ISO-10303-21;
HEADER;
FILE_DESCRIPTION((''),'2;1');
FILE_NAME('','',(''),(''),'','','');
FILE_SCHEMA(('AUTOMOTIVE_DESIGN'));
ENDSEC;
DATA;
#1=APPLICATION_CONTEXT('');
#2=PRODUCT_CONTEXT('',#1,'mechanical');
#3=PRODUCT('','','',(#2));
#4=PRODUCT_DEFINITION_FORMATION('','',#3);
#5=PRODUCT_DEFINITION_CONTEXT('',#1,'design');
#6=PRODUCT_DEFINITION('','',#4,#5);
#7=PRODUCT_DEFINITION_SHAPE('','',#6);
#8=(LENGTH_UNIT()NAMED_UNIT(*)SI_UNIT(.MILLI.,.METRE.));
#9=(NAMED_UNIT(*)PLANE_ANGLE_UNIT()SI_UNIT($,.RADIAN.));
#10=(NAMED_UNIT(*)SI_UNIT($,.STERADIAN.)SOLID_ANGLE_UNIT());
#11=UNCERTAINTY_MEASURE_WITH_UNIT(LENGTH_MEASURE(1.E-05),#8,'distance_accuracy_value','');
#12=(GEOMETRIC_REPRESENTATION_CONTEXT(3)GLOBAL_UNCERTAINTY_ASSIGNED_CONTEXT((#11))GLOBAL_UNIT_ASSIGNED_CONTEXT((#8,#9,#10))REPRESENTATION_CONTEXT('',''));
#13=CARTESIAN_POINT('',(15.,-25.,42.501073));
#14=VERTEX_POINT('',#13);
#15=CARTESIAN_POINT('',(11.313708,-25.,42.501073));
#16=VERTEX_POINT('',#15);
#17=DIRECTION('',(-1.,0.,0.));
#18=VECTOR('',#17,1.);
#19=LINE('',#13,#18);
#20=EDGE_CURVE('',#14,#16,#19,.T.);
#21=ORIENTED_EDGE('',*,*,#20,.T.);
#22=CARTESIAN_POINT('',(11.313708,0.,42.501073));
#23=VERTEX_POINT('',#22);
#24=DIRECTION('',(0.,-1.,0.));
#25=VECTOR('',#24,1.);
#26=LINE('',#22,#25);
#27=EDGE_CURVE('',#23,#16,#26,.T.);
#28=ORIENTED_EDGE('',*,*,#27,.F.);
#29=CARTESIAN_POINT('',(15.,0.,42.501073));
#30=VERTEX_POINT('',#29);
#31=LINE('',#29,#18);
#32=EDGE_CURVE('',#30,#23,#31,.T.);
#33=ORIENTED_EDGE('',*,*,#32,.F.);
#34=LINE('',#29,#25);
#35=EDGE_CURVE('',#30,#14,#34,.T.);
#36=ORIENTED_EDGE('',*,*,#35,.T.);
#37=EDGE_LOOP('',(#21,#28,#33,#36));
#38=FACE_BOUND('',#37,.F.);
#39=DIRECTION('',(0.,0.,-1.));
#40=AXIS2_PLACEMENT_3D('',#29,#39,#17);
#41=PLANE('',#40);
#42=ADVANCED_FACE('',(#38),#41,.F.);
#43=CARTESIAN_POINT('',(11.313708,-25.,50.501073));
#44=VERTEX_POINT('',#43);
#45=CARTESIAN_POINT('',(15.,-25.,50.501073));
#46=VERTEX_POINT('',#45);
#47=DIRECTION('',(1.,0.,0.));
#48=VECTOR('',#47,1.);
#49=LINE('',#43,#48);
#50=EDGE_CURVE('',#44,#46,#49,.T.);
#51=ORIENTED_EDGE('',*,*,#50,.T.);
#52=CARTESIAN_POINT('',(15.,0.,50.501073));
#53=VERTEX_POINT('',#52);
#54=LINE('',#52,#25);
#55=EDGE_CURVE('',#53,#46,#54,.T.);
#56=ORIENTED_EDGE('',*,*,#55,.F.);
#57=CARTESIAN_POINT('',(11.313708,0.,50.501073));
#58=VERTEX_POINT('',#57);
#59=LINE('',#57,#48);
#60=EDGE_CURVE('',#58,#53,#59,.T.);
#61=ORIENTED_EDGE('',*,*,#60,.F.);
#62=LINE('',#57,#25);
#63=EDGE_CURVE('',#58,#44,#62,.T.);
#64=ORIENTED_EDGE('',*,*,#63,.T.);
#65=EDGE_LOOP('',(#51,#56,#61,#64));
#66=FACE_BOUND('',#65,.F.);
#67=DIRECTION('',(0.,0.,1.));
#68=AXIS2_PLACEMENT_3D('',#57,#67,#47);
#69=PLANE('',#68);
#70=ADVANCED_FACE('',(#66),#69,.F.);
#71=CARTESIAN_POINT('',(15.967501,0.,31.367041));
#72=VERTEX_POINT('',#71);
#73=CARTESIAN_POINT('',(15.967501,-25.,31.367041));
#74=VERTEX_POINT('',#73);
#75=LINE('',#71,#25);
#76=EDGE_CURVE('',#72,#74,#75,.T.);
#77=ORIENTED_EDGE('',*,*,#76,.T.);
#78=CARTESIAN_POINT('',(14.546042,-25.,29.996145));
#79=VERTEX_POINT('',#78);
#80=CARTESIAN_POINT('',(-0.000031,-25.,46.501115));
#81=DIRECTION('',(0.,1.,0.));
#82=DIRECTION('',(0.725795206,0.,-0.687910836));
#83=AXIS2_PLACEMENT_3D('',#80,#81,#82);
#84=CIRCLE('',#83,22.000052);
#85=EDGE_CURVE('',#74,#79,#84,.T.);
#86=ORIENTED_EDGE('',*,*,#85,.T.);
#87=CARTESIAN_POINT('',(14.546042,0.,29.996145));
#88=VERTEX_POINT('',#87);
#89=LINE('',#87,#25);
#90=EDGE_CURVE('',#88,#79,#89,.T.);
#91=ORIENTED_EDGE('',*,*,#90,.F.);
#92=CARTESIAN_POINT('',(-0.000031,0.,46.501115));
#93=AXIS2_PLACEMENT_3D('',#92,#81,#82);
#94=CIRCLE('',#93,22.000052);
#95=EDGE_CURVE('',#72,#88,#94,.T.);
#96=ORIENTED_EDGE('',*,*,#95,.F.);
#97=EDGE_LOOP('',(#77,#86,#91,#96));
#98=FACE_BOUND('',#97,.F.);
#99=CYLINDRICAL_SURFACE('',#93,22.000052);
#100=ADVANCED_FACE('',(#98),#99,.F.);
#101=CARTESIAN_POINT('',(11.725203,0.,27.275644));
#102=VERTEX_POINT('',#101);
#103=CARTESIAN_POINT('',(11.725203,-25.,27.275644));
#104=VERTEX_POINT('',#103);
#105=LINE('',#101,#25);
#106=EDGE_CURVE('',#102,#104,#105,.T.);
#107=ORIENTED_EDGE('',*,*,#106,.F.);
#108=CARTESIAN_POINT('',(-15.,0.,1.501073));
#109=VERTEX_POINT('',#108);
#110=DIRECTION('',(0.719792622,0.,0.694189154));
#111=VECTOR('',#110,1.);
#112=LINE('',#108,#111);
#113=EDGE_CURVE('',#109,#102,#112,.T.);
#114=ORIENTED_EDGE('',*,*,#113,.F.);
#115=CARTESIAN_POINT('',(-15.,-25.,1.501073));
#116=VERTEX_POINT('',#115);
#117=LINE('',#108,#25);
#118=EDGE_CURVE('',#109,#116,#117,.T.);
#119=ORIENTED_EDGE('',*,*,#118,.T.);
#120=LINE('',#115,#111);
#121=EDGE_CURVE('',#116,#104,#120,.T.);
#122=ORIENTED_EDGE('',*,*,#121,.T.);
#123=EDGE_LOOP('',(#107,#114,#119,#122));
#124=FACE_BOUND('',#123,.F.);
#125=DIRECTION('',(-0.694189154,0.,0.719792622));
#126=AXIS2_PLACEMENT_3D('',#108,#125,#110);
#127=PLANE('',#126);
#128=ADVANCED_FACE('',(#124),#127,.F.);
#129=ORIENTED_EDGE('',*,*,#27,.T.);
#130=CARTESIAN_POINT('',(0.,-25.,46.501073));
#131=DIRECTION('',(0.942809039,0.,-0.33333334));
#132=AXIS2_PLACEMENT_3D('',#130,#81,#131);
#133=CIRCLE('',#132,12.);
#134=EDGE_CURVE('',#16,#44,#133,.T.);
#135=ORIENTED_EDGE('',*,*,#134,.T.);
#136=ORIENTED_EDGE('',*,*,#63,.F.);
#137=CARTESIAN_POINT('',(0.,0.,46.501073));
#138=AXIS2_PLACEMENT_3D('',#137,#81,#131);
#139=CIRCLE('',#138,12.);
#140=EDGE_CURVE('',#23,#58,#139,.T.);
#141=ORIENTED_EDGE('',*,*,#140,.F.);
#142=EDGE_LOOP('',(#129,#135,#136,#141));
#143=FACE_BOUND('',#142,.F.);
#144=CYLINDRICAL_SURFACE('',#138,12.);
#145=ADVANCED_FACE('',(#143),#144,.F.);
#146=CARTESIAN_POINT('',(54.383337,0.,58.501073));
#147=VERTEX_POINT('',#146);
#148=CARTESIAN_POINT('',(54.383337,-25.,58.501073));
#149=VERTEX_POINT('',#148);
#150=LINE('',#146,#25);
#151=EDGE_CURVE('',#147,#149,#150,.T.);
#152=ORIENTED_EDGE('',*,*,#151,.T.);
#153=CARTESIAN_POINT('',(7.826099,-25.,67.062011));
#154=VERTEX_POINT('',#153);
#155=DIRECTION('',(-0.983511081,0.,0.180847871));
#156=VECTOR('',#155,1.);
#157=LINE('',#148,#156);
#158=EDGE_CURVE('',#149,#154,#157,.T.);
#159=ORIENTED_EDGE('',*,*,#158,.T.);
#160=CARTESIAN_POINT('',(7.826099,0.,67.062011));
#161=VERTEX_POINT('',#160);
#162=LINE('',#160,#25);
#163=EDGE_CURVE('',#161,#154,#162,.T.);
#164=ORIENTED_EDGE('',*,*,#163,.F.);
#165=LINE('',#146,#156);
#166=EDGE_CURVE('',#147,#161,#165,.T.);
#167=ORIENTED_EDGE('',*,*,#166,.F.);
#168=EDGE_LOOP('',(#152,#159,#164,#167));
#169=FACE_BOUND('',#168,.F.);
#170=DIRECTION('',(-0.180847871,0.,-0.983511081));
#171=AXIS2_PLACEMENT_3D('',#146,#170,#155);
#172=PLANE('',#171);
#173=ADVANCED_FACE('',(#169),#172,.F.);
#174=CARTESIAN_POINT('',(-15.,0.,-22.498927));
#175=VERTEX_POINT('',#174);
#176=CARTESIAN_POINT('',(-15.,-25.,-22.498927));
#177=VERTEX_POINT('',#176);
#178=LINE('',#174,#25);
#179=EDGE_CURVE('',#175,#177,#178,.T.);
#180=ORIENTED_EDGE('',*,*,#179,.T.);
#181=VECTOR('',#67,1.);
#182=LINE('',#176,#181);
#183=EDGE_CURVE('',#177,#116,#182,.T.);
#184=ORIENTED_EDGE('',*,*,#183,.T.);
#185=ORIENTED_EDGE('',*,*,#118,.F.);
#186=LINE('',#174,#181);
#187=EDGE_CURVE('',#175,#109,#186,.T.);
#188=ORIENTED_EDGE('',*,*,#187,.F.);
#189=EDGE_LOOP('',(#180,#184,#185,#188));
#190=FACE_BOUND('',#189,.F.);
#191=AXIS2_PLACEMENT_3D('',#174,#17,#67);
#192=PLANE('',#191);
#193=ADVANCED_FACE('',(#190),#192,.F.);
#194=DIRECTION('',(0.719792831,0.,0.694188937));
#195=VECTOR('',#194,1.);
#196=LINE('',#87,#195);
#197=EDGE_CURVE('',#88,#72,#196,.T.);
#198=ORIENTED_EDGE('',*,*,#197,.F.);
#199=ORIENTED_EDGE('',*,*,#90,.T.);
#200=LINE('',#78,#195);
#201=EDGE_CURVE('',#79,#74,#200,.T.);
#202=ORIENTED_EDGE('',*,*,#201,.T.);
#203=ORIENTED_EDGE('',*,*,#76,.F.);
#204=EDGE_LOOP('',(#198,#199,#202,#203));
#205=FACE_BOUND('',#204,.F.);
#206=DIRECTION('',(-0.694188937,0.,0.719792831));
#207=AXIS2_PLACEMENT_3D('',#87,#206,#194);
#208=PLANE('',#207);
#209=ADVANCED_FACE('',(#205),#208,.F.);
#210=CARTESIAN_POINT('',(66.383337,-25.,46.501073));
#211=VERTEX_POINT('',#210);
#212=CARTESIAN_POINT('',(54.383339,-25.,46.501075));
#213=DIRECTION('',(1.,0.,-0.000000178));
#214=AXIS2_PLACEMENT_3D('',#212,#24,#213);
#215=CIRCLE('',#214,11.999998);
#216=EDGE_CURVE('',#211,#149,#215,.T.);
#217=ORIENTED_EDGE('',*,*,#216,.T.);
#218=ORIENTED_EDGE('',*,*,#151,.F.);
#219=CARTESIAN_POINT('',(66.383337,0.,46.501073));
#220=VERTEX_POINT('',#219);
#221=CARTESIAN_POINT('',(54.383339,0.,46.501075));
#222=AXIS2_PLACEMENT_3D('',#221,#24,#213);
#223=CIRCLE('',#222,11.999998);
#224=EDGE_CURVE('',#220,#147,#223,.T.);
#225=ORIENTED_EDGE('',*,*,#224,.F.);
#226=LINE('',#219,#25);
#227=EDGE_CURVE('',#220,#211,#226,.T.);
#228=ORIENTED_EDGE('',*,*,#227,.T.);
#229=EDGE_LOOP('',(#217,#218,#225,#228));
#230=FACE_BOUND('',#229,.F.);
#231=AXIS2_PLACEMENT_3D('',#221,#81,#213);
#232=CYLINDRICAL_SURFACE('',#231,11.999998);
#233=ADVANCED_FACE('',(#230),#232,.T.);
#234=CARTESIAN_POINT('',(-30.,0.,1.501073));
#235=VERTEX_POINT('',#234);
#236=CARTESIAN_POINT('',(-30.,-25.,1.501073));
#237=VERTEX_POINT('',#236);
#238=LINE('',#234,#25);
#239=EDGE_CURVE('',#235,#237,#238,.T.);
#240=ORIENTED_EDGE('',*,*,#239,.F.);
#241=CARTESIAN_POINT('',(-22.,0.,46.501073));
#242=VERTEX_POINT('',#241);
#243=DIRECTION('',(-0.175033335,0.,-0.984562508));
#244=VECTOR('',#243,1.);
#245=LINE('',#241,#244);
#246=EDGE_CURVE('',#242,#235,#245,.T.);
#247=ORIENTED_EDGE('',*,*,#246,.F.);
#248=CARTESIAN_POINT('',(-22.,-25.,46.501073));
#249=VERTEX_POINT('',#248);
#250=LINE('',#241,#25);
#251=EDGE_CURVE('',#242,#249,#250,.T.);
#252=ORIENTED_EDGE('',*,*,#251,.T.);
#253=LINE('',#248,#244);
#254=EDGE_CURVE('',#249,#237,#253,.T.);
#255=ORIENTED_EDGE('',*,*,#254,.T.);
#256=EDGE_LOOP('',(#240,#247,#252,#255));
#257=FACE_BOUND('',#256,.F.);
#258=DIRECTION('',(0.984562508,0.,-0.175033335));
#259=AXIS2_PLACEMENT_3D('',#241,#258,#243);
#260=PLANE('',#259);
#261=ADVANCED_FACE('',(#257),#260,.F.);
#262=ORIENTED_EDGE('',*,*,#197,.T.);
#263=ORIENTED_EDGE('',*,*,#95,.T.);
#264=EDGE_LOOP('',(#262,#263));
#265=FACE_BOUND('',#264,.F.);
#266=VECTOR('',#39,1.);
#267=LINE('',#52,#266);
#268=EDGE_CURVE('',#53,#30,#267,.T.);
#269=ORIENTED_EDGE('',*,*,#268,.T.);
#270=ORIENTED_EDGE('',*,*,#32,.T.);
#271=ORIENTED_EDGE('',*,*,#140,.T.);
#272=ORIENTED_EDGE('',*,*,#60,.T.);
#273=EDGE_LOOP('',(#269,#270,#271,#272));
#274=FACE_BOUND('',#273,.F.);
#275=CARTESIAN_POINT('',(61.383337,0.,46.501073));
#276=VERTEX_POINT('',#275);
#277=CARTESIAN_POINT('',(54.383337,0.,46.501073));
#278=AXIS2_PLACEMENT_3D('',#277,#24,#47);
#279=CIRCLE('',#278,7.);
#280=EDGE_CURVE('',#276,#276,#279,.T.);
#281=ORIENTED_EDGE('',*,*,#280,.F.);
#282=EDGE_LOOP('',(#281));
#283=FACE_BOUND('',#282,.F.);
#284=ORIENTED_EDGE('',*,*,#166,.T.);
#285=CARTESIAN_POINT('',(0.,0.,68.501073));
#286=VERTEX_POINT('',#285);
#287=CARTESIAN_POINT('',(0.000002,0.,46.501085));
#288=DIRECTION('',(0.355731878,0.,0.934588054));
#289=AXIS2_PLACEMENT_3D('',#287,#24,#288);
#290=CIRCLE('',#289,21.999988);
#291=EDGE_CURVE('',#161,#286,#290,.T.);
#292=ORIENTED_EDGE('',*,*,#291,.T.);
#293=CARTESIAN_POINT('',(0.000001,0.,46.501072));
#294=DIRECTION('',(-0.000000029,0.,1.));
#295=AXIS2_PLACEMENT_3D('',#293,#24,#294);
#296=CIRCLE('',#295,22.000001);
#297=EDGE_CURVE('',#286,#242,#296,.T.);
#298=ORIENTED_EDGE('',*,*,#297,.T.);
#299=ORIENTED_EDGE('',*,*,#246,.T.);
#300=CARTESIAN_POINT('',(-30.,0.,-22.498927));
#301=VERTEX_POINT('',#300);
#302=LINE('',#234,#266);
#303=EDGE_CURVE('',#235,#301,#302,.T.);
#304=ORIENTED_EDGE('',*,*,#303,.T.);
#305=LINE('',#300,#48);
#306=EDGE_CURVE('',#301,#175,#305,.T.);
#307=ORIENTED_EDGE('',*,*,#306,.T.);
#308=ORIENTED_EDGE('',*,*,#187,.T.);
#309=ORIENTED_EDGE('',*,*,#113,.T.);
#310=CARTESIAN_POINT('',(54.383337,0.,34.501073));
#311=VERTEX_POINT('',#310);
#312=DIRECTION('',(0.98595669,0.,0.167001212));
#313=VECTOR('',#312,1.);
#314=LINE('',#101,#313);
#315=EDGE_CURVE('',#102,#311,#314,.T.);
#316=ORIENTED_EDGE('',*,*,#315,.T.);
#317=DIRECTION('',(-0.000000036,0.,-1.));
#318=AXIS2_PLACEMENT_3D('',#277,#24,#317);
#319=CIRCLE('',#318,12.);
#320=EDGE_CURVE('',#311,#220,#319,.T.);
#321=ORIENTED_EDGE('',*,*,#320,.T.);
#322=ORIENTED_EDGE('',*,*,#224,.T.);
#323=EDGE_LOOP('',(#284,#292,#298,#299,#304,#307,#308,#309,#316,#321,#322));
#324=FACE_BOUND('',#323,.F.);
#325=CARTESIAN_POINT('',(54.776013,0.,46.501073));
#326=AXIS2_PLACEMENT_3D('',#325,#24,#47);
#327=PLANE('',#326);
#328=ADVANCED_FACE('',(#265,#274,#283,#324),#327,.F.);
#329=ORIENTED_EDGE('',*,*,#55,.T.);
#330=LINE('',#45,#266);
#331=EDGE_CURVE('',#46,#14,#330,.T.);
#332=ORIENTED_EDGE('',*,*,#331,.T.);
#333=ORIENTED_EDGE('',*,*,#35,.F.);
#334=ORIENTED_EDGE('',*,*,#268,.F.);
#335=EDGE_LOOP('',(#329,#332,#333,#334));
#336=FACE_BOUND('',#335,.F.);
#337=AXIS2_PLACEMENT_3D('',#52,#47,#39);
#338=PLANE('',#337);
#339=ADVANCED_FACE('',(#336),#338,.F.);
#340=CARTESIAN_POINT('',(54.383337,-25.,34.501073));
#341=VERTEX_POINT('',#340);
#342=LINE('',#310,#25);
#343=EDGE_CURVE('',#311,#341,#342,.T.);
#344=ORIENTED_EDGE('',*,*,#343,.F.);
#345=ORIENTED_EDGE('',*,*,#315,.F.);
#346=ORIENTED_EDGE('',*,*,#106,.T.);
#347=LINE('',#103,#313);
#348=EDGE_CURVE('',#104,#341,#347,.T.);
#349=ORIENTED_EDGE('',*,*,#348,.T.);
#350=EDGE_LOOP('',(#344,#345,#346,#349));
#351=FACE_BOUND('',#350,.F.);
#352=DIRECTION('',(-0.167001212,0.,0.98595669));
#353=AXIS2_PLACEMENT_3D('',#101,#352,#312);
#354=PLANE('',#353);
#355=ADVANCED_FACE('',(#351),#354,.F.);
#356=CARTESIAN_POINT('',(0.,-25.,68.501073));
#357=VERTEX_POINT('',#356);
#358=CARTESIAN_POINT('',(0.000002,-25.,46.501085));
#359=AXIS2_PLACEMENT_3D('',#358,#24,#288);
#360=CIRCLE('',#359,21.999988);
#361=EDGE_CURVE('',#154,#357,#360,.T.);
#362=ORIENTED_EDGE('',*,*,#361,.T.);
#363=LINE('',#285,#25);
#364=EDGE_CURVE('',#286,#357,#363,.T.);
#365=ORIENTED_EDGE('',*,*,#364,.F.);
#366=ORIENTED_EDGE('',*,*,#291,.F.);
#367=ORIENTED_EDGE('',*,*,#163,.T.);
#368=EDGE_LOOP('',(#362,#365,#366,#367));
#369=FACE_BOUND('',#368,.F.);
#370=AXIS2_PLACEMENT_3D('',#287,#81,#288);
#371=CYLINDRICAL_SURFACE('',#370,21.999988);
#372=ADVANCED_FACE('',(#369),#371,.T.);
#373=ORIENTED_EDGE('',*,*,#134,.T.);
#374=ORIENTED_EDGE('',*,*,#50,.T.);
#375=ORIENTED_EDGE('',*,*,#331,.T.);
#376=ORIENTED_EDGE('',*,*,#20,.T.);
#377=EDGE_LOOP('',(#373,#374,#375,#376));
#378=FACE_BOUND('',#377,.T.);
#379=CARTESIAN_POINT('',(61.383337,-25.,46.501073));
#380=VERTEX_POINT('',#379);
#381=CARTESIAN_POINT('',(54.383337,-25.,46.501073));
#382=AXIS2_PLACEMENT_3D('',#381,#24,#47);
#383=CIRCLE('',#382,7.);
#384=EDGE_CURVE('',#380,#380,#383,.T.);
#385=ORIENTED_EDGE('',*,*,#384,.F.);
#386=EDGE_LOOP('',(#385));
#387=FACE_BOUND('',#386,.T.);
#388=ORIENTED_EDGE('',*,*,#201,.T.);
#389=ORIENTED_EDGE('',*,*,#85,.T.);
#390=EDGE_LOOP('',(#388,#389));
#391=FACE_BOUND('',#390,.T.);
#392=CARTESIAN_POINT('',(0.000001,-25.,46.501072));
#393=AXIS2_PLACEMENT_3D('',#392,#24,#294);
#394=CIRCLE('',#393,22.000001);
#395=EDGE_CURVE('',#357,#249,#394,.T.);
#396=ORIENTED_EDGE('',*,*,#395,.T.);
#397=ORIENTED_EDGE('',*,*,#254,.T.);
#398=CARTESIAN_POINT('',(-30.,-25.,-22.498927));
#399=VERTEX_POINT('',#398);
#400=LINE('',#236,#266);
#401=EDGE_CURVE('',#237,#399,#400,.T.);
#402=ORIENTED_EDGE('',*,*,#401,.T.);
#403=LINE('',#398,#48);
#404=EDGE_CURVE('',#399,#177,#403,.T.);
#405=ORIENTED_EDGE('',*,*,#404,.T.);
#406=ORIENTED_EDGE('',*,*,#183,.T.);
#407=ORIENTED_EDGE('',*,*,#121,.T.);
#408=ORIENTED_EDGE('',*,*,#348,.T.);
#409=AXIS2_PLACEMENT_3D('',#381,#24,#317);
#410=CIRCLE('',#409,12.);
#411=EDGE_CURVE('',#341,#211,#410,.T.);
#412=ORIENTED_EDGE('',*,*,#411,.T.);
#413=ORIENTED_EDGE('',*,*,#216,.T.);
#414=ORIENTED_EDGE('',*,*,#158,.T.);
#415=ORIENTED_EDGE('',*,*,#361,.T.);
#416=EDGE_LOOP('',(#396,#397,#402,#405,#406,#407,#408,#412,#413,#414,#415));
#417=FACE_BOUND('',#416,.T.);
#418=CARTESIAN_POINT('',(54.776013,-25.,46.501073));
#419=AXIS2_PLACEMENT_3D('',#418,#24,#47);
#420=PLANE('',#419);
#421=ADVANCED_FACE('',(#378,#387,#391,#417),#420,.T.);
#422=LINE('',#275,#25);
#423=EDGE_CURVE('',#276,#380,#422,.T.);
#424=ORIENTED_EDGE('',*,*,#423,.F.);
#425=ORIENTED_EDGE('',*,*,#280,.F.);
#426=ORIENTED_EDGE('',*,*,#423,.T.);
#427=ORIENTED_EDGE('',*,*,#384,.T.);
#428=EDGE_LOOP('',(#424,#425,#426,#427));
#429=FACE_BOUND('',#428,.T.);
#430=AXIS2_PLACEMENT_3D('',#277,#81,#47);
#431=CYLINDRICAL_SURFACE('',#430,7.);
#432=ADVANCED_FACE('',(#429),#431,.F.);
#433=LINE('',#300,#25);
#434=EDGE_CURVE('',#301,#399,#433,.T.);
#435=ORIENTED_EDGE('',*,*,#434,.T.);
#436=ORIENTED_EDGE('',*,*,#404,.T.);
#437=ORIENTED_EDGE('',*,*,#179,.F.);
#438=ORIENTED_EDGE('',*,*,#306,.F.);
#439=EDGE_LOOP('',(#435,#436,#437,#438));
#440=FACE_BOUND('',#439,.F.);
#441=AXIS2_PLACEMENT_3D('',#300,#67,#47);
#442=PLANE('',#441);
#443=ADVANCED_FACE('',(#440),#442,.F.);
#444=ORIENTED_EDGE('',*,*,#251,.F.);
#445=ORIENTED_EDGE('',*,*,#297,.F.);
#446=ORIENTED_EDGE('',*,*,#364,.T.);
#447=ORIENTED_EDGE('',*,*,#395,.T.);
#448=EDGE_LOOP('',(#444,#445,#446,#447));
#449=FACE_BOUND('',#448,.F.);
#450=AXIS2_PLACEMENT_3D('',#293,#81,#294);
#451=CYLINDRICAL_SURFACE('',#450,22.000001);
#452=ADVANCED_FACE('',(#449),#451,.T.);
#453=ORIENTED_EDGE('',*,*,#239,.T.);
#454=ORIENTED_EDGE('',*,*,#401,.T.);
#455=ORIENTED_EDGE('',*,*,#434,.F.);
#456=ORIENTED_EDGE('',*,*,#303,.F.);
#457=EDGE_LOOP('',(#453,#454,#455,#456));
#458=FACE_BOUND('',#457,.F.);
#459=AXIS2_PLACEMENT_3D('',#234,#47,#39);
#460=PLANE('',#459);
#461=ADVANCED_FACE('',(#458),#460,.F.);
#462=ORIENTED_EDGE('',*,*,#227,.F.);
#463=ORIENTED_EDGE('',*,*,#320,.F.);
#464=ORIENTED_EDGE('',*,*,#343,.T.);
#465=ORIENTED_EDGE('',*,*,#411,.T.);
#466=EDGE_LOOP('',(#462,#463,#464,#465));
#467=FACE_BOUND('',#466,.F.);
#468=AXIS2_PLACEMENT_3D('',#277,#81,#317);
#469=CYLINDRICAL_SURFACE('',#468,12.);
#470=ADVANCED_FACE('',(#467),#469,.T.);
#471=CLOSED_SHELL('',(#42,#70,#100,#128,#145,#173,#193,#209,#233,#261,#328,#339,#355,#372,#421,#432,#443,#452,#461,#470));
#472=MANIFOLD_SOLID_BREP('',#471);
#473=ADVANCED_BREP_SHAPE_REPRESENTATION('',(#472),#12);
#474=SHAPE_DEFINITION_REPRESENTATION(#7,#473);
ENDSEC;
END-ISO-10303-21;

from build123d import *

# Parameters (mm, degrees)
F0_R     = 7
F1_DEPTH = 25


with BuildPart() as f1:
    # F0 (on Front) → F1 (new body)
    with BuildSketch(Plane.XZ):
        with BuildLine():
            ThreePointArc((54.383337, 34.501073), (62.868619, 38.015792), (66.383337, 46.501073))
            ThreePointArc((66.383337, 46.501073), (62.868619, 54.986355), (54.383337, 58.501073))
            ThreePointArc((54.383337, 58.501073), (42.383337, 46.501073), (54.383337, 34.501073))
        make_face()
        with Locations((54.383337, 46.501073)):
            Circle(F0_R, mode=Mode.SUBTRACT)
        with BuildLine():
            ThreePointArc((54.383337, 34.501073), (42.383337, 46.501073), (54.383337, 58.501073))
            Line((54.383337, 58.501073), (7.826099, 67.062011))
            ThreePointArc((7.826099, 67.062011), (18.113174, 58.987582), (22, 46.501073))
            ThreePointArc((22, 46.501073), (20.436304, 38.355062), (15.967501, 31.367041))
            ThreePointArc((15.967501, 31.367041), (15.272162, 30.665636), (14.546042, 29.996145))
            Line((14.546042, 29.996145), (11.725203, 27.275644))
            Line((11.725203, 27.275644), (54.383337, 34.501073))
        make_face()
        with BuildLine():
            Line((0, 68.501073), (7.826099, 67.062011))
            ThreePointArc((7.826099, 67.062011), (3.978653, 68.138317), (0, 68.501073))
        make_face()
        with BuildLine():
            ThreePointArc((22, 46.501073), (18.113174, 58.987582), (7.826099, 67.062011))
            Line((7.826099, 67.062011), (0, 68.501073))
            ThreePointArc((0, 68.501073), (-15.556349, 62.057422), (-22, 46.501073))
            ThreePointArc((-22, 46.501073), (-9.055028, 26.450974), (14.546042, 29.996145))
            Line((14.546042, 29.996145), (15.967501, 31.367041))
            ThreePointArc((15.967501, 31.367041), (20.436304, 38.355062), (22, 46.501073))
        make_face()
        with BuildLine():
            ThreePointArc((11.313708, 42.501073), (-12, 46.501073), (11.313708, 50.501073))
            Line((11.313708, 50.501073), (15, 50.501073))
            Line((15, 50.501073), (15, 46.501073))
            Line((15, 46.501073), (15, 42.501073))
            Line((15, 42.501073), (11.313708, 42.501073))
        make_face(mode=Mode.SUBTRACT)
        with BuildLine():
            Line((-15, 1.501073), (11.725203, 27.275644))
            Line((11.725203, 27.275644), (14.546042, 29.996145))
            ThreePointArc((14.546042, 29.996145), (-9.055028, 26.450974), (-22, 46.501073))
            Line((-22, 46.501073), (-30, 1.501073))
            Line((-30, 1.501073), (-15, 1.501073))
        make_face()
        Polygon((-15, -10.498927), (-15, 1.501073), (-30, 1.501073), (-30, -22.498927), (-15, -22.498927), align=None)
    extrude(amount=F1_DEPTH)


solid = f1.part
